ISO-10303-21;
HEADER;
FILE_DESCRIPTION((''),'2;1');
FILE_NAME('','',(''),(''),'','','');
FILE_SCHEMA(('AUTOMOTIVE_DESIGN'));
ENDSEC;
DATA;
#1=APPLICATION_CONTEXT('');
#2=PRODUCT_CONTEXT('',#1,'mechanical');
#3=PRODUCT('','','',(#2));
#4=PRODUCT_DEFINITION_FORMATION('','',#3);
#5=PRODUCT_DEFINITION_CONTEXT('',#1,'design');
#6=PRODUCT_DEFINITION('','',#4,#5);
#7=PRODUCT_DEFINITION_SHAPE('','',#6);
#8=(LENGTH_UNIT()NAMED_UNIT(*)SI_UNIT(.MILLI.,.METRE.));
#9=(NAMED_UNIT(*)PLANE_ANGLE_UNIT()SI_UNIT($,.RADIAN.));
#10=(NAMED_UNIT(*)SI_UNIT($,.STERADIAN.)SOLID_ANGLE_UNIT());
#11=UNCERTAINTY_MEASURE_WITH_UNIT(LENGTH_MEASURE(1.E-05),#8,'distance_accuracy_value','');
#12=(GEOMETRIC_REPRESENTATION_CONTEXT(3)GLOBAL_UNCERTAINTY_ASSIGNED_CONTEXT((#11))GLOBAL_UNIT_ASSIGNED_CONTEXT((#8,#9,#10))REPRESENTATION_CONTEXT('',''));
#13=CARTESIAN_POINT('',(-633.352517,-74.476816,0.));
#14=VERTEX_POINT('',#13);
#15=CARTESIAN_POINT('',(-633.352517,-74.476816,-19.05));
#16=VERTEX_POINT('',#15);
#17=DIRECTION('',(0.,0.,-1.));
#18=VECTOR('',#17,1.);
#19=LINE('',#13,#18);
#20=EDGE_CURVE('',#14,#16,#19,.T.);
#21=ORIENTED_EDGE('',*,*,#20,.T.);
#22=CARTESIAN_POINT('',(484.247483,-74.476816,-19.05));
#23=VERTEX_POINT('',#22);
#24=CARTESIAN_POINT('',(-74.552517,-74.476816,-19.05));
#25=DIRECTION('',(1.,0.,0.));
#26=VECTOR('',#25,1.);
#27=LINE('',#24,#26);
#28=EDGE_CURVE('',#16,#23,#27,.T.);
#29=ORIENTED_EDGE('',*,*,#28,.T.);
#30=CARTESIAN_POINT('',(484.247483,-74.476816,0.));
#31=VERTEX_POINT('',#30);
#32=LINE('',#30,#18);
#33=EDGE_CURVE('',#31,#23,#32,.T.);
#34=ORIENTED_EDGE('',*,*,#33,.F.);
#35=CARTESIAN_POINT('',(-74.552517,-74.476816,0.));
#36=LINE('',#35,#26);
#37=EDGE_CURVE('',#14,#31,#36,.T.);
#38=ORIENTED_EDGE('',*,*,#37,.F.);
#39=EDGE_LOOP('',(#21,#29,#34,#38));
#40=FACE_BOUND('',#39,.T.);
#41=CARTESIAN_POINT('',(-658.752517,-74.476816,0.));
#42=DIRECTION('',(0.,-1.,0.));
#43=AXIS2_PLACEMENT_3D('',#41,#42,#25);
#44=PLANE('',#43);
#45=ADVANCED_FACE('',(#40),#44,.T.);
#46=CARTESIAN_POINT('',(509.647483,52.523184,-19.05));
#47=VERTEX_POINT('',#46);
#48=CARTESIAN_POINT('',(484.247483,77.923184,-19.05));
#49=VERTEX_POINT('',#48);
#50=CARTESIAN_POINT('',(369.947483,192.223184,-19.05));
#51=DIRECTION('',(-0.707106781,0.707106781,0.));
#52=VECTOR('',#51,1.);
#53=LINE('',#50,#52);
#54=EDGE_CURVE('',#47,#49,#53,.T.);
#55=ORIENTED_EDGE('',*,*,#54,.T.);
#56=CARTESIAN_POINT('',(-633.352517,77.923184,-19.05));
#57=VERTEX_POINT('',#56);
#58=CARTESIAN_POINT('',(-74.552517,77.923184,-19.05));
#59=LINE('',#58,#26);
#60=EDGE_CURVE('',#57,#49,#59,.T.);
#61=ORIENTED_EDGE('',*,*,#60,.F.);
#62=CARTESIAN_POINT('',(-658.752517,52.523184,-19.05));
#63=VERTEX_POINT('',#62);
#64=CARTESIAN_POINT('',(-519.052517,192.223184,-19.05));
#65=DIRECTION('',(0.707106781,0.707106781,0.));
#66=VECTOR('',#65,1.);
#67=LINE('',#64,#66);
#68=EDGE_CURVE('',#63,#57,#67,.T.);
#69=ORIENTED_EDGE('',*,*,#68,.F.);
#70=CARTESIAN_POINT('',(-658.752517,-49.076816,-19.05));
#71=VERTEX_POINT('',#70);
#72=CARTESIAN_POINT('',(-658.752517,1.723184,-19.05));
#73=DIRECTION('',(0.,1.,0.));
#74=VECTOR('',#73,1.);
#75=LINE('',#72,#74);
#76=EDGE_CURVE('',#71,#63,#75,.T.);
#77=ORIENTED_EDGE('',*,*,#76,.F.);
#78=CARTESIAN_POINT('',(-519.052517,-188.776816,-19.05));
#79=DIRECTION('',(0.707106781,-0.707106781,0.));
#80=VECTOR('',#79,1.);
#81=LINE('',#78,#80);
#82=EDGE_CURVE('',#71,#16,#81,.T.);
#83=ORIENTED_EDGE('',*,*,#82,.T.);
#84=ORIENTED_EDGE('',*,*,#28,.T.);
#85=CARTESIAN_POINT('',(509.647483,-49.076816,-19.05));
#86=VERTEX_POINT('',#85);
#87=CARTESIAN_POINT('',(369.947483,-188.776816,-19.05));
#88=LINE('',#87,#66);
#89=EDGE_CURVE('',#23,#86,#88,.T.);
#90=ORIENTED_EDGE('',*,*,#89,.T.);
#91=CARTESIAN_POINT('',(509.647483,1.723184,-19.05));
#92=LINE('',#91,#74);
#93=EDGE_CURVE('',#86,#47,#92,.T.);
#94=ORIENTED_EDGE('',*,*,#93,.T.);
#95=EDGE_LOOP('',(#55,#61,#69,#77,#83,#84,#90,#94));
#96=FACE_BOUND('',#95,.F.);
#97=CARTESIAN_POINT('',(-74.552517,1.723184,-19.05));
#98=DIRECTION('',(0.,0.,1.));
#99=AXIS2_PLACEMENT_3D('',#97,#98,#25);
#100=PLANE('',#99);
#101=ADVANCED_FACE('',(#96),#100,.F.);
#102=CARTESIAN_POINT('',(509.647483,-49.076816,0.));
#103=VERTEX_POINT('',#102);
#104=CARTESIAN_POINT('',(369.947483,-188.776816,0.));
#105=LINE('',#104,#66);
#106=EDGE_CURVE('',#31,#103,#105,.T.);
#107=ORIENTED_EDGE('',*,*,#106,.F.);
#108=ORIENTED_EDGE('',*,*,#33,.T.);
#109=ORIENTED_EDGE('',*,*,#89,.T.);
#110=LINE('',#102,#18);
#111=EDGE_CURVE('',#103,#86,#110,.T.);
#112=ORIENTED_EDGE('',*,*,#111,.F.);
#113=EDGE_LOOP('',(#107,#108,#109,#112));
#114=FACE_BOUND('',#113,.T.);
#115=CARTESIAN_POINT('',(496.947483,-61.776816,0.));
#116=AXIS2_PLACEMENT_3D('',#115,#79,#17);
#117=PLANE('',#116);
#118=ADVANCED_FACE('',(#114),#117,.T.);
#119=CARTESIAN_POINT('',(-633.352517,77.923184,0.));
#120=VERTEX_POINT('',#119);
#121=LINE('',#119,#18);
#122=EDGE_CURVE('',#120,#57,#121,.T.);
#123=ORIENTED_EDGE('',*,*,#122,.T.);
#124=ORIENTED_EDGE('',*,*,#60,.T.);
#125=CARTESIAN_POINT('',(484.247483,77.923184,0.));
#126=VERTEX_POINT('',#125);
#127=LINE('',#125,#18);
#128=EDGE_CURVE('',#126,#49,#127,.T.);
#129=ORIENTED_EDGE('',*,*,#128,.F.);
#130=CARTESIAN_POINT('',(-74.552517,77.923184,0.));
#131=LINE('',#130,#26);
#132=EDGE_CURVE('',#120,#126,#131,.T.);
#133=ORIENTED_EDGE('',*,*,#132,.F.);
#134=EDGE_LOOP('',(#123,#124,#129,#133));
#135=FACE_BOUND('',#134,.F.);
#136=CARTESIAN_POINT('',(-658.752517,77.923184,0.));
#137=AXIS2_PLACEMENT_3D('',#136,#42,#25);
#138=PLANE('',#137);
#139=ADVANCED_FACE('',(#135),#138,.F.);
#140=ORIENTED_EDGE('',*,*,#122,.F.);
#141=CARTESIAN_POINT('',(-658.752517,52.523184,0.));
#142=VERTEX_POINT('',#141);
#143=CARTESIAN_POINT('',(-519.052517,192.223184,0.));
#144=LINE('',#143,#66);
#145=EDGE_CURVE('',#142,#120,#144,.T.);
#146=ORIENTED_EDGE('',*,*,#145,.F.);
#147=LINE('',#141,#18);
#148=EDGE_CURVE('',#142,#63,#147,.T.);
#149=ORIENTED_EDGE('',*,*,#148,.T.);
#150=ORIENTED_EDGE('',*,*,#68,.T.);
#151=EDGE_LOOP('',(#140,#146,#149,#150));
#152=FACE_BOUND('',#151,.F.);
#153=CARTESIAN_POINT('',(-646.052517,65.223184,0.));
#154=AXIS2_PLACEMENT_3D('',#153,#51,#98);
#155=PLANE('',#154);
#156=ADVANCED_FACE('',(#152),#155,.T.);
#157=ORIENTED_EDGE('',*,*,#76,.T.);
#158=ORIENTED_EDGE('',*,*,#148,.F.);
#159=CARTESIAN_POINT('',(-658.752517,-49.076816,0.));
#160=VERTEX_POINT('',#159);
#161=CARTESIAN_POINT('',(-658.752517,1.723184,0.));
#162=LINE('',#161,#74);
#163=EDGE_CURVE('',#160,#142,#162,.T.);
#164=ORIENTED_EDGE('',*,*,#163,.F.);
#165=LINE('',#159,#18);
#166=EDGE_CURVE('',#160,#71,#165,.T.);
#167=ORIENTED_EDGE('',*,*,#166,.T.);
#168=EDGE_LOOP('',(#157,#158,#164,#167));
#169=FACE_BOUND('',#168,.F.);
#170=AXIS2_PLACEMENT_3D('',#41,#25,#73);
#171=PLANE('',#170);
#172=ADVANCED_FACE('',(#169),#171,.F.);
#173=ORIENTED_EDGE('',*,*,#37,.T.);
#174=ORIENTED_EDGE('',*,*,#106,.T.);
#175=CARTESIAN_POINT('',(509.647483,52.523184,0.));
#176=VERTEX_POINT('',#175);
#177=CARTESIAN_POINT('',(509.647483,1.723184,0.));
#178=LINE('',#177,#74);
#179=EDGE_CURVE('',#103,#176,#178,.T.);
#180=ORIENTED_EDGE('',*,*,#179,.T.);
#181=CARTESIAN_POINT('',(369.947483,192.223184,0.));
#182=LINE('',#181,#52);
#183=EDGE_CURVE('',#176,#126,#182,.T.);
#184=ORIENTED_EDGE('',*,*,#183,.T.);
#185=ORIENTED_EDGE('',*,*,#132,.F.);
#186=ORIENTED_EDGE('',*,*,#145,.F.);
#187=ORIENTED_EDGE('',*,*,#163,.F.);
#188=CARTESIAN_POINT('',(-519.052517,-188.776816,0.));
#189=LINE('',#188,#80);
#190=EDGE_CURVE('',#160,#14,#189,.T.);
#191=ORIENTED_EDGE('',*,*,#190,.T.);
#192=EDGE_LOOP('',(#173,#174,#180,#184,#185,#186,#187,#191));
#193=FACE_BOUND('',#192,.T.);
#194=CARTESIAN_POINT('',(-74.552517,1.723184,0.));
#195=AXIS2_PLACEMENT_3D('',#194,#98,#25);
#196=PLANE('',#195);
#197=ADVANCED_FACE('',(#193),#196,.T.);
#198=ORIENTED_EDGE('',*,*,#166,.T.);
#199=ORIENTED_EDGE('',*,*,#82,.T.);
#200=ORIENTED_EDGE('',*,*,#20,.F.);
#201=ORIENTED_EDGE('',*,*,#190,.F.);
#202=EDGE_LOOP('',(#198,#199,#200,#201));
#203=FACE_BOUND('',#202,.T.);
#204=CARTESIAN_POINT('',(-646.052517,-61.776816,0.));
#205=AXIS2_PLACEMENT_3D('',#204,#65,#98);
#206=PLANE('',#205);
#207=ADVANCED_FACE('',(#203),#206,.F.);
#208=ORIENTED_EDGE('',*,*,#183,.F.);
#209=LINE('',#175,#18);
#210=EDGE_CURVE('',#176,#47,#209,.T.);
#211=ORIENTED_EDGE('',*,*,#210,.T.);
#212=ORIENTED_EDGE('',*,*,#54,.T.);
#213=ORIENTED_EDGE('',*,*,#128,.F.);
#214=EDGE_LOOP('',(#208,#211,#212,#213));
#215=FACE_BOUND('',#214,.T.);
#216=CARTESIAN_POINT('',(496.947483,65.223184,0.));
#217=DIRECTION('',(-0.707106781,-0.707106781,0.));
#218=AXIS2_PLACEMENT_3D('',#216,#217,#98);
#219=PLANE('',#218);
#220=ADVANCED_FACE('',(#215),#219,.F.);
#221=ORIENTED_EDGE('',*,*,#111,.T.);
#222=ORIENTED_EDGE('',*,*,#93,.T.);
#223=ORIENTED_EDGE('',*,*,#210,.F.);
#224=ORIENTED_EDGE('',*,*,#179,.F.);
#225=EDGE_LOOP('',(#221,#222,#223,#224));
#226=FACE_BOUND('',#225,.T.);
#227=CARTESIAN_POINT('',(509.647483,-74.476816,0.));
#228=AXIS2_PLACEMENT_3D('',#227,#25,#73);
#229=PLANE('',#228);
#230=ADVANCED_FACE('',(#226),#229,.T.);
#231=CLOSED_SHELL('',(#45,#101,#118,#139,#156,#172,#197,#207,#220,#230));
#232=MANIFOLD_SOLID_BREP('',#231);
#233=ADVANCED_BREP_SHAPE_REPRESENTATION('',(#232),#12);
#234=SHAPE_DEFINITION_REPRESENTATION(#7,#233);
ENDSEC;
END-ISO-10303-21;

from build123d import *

# Parameters (mm, degrees)
F0_W     = 1168.4
F0_H     = 152.4
F1_DEPTH = 19.05
F2_SIZE  = 25.4


with BuildPart() as f1:
    # F0 (on Top) → F1 (new body)
    with BuildSketch(Plane.XY):
        with Locations((-74.552517, 1.723184)):
            Rectangle(F0_W, F0_H)
    extrude(amount=-F1_DEPTH)

    # F2
    f2_edges = [f1.edges().sort_by_distance(p)[0] for p in [
        (-658.752517, 77.923184, -9.525),
        (-658.752517, -74.476816, -9.525),
        (509.647483, 77.923184, -9.525),
        (509.647483, -74.476816, -9.525),
    ]]
    chamfer(f2_edges, length=F2_SIZE)


solid = f1.part
